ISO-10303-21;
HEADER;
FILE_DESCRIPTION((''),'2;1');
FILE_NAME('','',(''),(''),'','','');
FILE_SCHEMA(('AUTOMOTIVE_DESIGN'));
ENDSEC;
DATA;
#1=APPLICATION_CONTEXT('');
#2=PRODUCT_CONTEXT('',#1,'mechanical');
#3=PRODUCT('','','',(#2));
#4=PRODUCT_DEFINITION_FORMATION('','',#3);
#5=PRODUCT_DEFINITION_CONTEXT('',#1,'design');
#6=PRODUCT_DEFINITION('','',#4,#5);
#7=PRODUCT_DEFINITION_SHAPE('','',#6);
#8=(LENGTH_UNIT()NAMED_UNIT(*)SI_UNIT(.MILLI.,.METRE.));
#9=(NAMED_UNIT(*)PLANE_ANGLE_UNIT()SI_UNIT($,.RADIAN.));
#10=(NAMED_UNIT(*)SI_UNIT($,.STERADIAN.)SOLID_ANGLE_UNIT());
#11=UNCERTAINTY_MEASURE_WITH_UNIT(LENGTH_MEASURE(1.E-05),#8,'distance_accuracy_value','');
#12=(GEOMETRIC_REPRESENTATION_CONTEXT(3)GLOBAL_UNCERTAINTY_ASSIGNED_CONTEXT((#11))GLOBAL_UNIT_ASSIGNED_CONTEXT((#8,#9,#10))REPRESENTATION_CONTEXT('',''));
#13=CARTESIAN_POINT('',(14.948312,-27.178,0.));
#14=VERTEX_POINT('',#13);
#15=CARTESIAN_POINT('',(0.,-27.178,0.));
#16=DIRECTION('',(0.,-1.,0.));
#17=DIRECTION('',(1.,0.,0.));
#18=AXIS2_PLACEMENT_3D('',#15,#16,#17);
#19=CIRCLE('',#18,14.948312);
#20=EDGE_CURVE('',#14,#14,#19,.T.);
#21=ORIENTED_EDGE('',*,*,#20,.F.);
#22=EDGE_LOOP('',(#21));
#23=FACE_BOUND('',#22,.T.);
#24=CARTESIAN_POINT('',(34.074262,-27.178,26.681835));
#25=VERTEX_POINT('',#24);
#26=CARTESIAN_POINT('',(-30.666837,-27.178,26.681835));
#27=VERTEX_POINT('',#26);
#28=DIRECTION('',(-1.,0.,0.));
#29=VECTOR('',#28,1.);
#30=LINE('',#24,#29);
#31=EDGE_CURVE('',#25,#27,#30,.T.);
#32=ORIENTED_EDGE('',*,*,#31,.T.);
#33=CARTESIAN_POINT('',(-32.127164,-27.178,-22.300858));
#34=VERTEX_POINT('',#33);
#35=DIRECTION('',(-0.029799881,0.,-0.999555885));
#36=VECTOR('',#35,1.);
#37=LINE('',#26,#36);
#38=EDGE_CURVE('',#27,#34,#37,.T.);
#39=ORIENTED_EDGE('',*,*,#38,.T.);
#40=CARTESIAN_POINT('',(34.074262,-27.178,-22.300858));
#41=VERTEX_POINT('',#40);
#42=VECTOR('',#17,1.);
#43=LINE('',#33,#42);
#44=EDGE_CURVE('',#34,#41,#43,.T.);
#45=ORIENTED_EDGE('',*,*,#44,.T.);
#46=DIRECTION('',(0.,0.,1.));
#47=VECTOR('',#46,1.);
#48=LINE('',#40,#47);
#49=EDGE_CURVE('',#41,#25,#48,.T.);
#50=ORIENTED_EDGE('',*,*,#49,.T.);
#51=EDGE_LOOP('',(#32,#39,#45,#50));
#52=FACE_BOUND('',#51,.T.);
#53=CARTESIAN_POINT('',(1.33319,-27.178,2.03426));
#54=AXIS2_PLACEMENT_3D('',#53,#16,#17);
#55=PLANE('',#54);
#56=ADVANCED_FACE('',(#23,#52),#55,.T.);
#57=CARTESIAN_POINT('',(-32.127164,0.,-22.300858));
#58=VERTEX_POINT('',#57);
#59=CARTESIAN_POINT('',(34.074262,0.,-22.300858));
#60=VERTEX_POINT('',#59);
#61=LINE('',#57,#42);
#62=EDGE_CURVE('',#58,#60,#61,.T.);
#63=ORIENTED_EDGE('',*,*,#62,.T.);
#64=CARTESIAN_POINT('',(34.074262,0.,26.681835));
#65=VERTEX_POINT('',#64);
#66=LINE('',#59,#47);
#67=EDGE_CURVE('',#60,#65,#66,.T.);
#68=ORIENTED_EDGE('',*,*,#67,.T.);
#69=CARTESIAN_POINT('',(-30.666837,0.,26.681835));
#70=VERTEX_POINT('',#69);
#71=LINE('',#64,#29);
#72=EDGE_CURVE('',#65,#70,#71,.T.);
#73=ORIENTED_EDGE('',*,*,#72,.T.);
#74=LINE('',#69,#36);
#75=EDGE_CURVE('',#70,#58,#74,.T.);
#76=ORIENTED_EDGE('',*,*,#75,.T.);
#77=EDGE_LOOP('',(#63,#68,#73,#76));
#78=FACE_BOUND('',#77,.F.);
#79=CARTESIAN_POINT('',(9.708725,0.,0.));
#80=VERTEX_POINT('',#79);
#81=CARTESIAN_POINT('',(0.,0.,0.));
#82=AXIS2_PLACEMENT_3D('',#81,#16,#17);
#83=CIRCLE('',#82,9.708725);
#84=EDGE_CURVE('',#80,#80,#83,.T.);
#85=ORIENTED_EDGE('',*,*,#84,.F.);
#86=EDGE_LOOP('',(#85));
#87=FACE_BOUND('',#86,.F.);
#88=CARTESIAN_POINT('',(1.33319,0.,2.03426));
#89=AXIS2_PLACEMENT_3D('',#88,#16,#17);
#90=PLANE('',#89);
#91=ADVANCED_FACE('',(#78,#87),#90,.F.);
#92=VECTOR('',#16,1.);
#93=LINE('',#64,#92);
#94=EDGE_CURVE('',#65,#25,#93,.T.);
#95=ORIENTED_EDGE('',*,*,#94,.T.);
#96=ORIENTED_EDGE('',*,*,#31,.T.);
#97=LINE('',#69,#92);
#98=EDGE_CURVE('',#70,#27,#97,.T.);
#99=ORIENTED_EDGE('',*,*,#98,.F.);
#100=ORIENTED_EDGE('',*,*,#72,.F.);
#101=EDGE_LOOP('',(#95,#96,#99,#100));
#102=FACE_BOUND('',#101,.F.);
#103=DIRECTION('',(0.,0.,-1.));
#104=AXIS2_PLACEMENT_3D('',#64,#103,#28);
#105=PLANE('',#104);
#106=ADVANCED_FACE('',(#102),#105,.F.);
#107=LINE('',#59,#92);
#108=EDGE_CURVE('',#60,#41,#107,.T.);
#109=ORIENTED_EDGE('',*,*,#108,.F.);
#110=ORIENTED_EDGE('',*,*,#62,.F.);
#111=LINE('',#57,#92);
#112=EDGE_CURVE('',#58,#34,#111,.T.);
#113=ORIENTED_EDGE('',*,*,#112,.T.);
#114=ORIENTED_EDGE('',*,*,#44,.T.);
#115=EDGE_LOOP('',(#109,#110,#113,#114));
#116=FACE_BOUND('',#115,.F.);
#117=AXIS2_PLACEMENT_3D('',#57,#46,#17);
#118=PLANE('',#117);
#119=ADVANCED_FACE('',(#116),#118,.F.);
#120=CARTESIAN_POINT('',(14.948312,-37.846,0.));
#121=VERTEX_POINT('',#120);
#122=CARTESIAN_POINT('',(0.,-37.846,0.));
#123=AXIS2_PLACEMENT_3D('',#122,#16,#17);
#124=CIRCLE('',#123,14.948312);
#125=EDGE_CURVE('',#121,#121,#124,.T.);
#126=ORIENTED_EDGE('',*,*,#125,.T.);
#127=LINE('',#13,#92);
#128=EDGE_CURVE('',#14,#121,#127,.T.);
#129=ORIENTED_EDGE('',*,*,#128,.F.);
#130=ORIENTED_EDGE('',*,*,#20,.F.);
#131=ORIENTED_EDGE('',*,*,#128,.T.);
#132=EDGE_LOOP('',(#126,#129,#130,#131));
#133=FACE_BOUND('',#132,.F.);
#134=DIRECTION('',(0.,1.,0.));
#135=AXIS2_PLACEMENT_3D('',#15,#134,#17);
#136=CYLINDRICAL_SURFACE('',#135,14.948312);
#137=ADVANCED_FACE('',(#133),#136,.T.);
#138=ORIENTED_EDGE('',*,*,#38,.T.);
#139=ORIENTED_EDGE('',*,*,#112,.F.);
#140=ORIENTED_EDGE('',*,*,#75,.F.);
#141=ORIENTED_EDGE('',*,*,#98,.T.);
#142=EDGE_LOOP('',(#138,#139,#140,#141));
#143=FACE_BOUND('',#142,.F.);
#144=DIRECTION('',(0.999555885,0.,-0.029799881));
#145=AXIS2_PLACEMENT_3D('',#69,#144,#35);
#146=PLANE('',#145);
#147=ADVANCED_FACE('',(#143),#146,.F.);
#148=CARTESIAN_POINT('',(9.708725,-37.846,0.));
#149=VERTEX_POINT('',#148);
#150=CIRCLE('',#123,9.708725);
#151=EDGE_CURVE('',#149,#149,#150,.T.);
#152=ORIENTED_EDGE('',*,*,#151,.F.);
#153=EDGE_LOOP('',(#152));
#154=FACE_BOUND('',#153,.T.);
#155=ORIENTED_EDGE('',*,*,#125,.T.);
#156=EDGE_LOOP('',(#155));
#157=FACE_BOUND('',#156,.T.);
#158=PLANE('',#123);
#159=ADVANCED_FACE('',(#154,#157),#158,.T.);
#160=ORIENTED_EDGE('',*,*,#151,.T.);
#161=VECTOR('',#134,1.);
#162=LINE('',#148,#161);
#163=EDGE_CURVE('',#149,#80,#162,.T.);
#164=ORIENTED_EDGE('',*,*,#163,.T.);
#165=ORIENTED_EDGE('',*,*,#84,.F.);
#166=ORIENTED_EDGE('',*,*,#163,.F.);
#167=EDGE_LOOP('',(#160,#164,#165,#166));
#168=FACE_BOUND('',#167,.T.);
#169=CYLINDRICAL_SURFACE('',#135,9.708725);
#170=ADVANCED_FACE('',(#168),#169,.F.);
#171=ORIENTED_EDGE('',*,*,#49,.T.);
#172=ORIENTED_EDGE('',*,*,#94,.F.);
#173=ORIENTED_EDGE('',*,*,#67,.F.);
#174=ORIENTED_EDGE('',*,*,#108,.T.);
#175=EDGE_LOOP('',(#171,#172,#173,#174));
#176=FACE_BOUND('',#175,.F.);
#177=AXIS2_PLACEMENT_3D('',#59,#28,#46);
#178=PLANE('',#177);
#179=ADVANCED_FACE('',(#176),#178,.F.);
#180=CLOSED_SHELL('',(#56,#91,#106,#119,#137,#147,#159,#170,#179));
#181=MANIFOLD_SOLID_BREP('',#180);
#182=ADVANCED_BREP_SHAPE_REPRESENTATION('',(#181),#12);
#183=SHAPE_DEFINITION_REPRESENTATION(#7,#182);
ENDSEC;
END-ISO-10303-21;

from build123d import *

# Parameters (mm, degrees)
F0_R     = 9.708725
F1_DEPTH = 27.178
F2_R     = 14.948312
F2_R_2   = 9.708725
F3_DEPTH = 10.668


with BuildPart() as f1:
    # F0 (on Front) → F1 (new body)
    with BuildSketch(Plane.XZ):
        Polygon((34.074262, 26.681835), (-30.666837, 26.681835), (-32.127164, -22.300858), (34.074262, -22.300858), align=None)
        Circle(F0_R, mode=Mode.SUBTRACT)
    extrude(amount=F1_DEPTH)

    # F2 (on face) → F3 (join)
    with BuildSketch(Plane.XZ.offset(27.178)):
        Circle(F2_R)
        Circle(F2_R_2, mode=Mode.SUBTRACT)
    extrude(amount=F3_DEPTH)


solid = f1.part
